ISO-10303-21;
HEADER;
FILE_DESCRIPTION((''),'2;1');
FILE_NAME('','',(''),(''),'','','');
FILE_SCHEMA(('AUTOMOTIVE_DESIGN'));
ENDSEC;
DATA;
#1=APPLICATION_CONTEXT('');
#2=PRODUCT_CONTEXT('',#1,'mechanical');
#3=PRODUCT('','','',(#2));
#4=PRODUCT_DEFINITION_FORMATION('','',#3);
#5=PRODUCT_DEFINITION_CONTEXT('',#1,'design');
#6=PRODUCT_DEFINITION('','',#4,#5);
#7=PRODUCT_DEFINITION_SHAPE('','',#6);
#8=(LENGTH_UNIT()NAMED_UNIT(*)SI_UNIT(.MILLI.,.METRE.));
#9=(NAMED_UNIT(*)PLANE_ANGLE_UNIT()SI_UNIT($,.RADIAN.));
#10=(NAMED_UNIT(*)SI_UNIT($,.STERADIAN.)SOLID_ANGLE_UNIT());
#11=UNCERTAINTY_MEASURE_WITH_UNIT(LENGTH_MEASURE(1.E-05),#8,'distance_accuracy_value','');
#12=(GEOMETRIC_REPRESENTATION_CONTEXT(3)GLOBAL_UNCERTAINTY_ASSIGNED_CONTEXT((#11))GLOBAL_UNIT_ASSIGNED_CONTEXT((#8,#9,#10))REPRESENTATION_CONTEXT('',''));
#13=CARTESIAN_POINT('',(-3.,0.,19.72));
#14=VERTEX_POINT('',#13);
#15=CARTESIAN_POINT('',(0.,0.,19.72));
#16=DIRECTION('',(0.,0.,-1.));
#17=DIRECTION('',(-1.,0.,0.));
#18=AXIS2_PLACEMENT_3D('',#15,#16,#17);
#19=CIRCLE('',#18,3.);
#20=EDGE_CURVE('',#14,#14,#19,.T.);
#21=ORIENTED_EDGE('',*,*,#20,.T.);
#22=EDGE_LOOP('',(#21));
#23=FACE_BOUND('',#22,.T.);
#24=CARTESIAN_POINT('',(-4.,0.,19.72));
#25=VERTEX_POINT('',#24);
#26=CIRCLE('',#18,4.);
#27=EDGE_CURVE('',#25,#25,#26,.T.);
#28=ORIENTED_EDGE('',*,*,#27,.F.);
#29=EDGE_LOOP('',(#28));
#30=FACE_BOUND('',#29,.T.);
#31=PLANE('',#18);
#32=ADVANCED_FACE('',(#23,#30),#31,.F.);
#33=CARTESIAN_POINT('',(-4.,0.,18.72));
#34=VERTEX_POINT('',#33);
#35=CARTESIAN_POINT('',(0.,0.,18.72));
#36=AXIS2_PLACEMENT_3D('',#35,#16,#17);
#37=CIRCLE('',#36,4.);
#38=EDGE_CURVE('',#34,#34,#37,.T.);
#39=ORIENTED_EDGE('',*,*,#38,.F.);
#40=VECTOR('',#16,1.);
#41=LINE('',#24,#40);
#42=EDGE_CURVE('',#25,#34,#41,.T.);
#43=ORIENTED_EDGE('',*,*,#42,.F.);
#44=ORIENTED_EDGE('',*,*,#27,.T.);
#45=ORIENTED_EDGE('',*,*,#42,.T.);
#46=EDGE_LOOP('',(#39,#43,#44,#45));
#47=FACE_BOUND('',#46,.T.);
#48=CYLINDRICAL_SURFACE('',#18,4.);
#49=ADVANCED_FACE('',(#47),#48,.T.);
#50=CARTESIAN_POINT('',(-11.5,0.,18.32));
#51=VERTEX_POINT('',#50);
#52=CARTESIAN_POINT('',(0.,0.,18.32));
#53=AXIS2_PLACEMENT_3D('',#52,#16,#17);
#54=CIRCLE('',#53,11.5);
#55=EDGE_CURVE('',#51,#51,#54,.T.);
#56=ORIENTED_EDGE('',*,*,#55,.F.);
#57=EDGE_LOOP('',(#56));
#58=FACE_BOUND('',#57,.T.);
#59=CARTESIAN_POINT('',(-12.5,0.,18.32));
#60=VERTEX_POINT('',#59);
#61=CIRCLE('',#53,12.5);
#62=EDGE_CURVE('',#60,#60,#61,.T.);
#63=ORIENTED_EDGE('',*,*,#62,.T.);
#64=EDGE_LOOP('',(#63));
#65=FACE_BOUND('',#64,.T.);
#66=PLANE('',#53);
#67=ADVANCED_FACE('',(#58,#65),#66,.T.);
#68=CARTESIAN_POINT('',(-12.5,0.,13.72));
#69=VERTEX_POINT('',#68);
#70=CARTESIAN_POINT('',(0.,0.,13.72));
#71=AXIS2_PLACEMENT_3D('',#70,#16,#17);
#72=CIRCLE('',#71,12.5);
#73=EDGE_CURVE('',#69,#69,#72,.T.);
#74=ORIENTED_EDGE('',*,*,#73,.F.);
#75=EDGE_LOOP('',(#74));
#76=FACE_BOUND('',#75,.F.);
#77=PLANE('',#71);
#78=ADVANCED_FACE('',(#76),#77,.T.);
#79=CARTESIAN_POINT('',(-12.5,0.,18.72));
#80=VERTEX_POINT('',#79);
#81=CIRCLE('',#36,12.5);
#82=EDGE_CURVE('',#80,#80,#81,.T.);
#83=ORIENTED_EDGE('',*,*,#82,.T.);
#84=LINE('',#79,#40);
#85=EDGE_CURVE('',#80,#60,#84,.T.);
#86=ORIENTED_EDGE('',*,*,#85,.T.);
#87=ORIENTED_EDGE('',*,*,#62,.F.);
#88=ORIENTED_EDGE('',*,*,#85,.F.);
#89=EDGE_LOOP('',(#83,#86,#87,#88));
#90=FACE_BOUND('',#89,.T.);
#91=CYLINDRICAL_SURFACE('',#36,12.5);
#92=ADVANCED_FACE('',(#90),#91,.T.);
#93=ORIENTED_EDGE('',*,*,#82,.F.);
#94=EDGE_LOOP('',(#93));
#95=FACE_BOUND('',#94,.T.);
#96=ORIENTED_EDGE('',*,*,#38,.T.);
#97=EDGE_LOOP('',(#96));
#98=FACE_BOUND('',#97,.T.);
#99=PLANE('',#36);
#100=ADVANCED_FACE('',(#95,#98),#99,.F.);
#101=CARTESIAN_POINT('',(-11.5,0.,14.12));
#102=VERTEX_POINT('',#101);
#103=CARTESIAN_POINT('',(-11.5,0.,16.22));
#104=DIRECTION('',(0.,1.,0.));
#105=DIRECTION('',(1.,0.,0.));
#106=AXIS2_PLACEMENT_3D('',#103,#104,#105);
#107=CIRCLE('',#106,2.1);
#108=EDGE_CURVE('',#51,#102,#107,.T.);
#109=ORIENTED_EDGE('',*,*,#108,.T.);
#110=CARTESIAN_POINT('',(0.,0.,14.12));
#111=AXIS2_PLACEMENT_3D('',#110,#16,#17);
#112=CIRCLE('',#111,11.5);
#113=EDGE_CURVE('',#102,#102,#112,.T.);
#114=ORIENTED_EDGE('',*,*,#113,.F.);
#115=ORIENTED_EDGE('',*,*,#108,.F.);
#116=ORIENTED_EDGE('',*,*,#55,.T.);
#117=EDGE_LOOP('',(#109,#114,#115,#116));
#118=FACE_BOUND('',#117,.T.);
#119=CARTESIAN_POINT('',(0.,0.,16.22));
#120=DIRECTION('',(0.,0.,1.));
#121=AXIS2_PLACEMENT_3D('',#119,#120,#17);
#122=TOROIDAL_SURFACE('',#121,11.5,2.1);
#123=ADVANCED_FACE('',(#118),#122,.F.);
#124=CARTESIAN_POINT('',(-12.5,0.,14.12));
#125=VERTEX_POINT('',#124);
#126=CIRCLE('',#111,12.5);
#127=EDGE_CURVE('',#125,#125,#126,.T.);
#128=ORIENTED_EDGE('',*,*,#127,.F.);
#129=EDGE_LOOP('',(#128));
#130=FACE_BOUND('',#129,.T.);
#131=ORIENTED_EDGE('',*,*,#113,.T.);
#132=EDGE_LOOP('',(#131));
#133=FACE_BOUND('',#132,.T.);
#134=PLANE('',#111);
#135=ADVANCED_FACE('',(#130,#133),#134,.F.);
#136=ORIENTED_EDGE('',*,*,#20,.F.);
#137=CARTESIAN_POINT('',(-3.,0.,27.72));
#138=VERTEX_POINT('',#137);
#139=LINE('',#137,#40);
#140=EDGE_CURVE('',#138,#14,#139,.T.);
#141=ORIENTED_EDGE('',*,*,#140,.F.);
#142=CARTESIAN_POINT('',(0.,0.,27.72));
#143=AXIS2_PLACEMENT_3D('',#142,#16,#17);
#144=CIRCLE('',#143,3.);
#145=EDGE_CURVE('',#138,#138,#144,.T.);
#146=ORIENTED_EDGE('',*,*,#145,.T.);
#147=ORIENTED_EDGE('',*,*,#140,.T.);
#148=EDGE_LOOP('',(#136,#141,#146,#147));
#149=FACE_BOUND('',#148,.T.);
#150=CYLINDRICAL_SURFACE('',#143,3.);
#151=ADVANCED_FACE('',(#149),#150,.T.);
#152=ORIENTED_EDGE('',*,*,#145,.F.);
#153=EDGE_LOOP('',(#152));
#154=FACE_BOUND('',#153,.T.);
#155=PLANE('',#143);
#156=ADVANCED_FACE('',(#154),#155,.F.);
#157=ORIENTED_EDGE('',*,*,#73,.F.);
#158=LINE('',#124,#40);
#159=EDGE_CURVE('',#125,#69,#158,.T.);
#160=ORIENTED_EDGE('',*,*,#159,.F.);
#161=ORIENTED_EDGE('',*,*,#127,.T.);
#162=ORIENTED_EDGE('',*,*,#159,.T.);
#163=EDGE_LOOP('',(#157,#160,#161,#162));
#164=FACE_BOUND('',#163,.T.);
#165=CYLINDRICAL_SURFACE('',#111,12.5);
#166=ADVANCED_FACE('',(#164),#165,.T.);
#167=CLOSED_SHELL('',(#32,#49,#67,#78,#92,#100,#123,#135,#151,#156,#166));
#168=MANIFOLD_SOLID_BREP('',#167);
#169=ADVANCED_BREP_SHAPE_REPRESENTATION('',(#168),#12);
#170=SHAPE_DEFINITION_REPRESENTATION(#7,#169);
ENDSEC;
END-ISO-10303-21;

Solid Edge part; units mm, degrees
sketch "Sketch1" plane through (0, 0, 0) normal (0, -1, 0) x (1, 0, 0)
  line L0 (0, 18.72) -> (0, 13.72)
  line L1 (0, 13.72) -> (-11.5, 13.72)
  line L2 (-12.5, 13.72) -> (-11.5, 13.72)
  line L3 (-12.5, 14.12) -> (-12.5, 13.72)
  line L4 (-11.5, 14.12) -> (-12.5, 14.12)
  arc A0 (-11.5, 18.32) -> (-11.5, 14.12) centre (-11.5, 16.22) cw
  line L5 (-12.5, 18.32) -> (-11.5, 18.32)
  line L6 (-12.5, 18.72) -> (-12.5, 18.32)
  line L7 (-11.5, 18.72) -> (-12.5, 18.72)
  line L8 (-11.5, 18.72) -> (0, 18.72)
  dimension "D1" = 11.5
  dimension "D2" = 2.1
  dimension "D3" = 1
  dimension "D4" = 0.4
revolve "RevolvedProtrusion1" add sketch "Sketch1" angle 360 about axis through (0, 0, 54) along (0, 0, -1)
sketch "Sketch2" plane through (0, 0, 0) normal (0, -1, 0) x (1, 0, 0)
  line L0 (0, 18.72) -> (0, 27.72)
  line L1 (0, 27.72) -> (-3, 27.72)
  line L2 (-3, 27.72) -> (-3, 19.72)
  line L3 (-3, 19.72) -> (-4, 19.72)
  line L4 (-4, 19.72) -> (-4, 18.72)
  line L5 (-4, 18.72) -> (0, 18.72)
  dimension "D1" = 3
  dimension "D2" = 8
  dimension "D3" = 1
  dimension "D4" = 1
revolve "RevolvedProtrusion2" add sketch "Sketch2" angle 360 about axis through (0, 0, 54) along (0, 0, -1)
